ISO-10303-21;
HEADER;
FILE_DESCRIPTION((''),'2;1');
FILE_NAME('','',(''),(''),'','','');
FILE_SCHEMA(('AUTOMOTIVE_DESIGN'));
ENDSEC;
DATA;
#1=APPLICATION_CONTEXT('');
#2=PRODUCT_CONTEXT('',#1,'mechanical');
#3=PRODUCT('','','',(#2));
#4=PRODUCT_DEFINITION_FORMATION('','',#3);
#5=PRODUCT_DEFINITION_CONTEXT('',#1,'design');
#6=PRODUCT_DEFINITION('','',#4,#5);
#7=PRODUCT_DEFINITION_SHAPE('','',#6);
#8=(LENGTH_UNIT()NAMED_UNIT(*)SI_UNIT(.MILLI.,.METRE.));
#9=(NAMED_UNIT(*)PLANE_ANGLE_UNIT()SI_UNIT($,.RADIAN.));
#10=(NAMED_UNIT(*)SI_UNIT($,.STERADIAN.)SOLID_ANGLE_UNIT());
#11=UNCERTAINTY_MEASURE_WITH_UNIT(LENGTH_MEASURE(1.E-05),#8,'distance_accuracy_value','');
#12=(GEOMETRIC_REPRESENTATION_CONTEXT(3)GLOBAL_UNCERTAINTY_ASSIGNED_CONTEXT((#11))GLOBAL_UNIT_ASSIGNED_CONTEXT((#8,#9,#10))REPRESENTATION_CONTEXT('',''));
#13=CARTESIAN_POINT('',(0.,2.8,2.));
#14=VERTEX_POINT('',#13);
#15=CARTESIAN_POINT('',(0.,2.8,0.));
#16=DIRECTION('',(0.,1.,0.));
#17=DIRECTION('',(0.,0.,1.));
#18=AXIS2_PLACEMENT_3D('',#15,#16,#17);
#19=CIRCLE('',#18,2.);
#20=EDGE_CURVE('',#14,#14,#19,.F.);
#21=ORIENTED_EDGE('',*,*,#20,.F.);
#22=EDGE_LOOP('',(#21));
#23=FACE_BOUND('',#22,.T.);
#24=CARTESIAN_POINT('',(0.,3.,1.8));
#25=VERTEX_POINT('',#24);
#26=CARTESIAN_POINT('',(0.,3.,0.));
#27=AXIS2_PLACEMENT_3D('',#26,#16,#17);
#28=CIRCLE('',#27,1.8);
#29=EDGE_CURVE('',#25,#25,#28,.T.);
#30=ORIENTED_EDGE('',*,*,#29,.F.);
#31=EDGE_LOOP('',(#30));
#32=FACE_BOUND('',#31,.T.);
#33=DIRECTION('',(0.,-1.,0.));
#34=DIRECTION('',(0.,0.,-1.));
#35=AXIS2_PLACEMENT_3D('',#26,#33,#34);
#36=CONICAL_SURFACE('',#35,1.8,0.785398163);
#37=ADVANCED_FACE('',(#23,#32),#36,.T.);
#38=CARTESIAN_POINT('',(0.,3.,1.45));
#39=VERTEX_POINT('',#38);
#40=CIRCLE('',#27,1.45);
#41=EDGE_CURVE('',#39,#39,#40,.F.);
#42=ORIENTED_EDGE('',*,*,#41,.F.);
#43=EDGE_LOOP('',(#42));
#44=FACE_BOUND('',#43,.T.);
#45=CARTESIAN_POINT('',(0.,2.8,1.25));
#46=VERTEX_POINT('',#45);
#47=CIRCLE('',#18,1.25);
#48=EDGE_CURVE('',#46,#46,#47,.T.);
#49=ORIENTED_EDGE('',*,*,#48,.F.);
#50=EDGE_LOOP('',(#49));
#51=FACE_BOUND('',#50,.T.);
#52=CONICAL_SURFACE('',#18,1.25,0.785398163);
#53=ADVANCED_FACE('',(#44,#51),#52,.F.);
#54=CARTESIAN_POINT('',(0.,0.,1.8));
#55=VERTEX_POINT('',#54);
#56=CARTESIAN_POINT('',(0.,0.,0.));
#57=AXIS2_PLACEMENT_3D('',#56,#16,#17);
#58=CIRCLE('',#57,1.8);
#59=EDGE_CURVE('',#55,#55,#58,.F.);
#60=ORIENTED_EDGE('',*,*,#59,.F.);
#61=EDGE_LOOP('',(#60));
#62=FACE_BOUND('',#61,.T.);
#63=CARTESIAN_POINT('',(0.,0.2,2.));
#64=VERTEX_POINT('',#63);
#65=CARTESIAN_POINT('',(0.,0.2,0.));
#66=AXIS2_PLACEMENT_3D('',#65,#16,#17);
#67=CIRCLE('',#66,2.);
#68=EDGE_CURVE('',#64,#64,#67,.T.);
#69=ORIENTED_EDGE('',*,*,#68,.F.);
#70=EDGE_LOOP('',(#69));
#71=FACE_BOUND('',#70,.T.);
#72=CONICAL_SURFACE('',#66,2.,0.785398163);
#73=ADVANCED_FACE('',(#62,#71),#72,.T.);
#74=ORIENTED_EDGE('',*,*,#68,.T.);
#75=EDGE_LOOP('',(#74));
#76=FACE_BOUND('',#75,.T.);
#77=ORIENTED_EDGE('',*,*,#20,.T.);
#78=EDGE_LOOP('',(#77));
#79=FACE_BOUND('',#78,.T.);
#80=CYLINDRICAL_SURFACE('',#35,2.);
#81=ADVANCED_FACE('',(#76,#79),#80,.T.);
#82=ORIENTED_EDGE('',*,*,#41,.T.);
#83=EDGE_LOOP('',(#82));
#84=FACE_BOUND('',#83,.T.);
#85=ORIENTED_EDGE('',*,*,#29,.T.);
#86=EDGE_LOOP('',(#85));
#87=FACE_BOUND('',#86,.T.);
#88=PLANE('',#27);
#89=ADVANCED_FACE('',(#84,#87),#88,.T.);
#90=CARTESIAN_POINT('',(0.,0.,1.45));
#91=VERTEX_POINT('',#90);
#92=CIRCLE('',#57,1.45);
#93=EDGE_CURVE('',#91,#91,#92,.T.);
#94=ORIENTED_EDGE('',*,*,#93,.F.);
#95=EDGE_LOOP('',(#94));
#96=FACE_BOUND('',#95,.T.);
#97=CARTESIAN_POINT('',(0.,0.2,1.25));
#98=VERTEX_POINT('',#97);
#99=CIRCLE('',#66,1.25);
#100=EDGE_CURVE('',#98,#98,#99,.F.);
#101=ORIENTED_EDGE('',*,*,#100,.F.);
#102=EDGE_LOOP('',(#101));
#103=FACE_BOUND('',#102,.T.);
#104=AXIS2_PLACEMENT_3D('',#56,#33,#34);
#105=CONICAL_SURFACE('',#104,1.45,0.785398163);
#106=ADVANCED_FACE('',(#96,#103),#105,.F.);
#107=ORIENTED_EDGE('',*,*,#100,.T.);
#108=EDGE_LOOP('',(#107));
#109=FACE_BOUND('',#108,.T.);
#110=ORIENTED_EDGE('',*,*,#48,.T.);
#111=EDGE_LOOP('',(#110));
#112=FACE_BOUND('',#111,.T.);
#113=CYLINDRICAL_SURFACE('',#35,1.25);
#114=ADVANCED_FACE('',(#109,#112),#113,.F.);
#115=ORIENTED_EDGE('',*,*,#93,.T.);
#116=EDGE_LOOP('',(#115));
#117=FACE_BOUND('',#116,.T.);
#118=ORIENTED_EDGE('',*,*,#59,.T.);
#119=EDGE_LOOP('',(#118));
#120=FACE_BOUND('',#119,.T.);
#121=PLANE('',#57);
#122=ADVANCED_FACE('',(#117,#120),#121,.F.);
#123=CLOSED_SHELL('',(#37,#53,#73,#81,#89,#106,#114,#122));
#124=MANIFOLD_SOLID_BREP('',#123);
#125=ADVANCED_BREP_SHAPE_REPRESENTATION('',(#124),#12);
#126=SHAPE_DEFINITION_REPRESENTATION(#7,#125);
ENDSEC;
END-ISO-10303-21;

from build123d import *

# Parameters (mm, degrees)
SKETCH1_R           = 2
SKETCH1_R_2         = 1.25
BOSS_EXTRUDE1_DEPTH = 3
CHAMFER1_SIZE       = 0.2


with BuildPart() as part:
    # Sketch1 → Boss-Extrude1 (new body)
    with BuildSketch(Plane(origin=(0, 0, 0), x_dir=(1, 0, 0), z_dir=(0, 1, 0))):
        Circle(SKETCH1_R)
        Circle(SKETCH1_R_2, mode=Mode.SUBTRACT)
    extrude(amount=BOSS_EXTRUDE1_DEPTH)

    # Chamfer1
    chamfer1_edges = [part.edges().sort_by_distance(p)[0] for p in [
        (-2, 0, 0),
        (-2, 3, 0),
        (-1.25, 0, 0),
        (-1.25, 3, 0),
    ]]
    chamfer(chamfer1_edges, length=CHAMFER1_SIZE)


solid = part.part
